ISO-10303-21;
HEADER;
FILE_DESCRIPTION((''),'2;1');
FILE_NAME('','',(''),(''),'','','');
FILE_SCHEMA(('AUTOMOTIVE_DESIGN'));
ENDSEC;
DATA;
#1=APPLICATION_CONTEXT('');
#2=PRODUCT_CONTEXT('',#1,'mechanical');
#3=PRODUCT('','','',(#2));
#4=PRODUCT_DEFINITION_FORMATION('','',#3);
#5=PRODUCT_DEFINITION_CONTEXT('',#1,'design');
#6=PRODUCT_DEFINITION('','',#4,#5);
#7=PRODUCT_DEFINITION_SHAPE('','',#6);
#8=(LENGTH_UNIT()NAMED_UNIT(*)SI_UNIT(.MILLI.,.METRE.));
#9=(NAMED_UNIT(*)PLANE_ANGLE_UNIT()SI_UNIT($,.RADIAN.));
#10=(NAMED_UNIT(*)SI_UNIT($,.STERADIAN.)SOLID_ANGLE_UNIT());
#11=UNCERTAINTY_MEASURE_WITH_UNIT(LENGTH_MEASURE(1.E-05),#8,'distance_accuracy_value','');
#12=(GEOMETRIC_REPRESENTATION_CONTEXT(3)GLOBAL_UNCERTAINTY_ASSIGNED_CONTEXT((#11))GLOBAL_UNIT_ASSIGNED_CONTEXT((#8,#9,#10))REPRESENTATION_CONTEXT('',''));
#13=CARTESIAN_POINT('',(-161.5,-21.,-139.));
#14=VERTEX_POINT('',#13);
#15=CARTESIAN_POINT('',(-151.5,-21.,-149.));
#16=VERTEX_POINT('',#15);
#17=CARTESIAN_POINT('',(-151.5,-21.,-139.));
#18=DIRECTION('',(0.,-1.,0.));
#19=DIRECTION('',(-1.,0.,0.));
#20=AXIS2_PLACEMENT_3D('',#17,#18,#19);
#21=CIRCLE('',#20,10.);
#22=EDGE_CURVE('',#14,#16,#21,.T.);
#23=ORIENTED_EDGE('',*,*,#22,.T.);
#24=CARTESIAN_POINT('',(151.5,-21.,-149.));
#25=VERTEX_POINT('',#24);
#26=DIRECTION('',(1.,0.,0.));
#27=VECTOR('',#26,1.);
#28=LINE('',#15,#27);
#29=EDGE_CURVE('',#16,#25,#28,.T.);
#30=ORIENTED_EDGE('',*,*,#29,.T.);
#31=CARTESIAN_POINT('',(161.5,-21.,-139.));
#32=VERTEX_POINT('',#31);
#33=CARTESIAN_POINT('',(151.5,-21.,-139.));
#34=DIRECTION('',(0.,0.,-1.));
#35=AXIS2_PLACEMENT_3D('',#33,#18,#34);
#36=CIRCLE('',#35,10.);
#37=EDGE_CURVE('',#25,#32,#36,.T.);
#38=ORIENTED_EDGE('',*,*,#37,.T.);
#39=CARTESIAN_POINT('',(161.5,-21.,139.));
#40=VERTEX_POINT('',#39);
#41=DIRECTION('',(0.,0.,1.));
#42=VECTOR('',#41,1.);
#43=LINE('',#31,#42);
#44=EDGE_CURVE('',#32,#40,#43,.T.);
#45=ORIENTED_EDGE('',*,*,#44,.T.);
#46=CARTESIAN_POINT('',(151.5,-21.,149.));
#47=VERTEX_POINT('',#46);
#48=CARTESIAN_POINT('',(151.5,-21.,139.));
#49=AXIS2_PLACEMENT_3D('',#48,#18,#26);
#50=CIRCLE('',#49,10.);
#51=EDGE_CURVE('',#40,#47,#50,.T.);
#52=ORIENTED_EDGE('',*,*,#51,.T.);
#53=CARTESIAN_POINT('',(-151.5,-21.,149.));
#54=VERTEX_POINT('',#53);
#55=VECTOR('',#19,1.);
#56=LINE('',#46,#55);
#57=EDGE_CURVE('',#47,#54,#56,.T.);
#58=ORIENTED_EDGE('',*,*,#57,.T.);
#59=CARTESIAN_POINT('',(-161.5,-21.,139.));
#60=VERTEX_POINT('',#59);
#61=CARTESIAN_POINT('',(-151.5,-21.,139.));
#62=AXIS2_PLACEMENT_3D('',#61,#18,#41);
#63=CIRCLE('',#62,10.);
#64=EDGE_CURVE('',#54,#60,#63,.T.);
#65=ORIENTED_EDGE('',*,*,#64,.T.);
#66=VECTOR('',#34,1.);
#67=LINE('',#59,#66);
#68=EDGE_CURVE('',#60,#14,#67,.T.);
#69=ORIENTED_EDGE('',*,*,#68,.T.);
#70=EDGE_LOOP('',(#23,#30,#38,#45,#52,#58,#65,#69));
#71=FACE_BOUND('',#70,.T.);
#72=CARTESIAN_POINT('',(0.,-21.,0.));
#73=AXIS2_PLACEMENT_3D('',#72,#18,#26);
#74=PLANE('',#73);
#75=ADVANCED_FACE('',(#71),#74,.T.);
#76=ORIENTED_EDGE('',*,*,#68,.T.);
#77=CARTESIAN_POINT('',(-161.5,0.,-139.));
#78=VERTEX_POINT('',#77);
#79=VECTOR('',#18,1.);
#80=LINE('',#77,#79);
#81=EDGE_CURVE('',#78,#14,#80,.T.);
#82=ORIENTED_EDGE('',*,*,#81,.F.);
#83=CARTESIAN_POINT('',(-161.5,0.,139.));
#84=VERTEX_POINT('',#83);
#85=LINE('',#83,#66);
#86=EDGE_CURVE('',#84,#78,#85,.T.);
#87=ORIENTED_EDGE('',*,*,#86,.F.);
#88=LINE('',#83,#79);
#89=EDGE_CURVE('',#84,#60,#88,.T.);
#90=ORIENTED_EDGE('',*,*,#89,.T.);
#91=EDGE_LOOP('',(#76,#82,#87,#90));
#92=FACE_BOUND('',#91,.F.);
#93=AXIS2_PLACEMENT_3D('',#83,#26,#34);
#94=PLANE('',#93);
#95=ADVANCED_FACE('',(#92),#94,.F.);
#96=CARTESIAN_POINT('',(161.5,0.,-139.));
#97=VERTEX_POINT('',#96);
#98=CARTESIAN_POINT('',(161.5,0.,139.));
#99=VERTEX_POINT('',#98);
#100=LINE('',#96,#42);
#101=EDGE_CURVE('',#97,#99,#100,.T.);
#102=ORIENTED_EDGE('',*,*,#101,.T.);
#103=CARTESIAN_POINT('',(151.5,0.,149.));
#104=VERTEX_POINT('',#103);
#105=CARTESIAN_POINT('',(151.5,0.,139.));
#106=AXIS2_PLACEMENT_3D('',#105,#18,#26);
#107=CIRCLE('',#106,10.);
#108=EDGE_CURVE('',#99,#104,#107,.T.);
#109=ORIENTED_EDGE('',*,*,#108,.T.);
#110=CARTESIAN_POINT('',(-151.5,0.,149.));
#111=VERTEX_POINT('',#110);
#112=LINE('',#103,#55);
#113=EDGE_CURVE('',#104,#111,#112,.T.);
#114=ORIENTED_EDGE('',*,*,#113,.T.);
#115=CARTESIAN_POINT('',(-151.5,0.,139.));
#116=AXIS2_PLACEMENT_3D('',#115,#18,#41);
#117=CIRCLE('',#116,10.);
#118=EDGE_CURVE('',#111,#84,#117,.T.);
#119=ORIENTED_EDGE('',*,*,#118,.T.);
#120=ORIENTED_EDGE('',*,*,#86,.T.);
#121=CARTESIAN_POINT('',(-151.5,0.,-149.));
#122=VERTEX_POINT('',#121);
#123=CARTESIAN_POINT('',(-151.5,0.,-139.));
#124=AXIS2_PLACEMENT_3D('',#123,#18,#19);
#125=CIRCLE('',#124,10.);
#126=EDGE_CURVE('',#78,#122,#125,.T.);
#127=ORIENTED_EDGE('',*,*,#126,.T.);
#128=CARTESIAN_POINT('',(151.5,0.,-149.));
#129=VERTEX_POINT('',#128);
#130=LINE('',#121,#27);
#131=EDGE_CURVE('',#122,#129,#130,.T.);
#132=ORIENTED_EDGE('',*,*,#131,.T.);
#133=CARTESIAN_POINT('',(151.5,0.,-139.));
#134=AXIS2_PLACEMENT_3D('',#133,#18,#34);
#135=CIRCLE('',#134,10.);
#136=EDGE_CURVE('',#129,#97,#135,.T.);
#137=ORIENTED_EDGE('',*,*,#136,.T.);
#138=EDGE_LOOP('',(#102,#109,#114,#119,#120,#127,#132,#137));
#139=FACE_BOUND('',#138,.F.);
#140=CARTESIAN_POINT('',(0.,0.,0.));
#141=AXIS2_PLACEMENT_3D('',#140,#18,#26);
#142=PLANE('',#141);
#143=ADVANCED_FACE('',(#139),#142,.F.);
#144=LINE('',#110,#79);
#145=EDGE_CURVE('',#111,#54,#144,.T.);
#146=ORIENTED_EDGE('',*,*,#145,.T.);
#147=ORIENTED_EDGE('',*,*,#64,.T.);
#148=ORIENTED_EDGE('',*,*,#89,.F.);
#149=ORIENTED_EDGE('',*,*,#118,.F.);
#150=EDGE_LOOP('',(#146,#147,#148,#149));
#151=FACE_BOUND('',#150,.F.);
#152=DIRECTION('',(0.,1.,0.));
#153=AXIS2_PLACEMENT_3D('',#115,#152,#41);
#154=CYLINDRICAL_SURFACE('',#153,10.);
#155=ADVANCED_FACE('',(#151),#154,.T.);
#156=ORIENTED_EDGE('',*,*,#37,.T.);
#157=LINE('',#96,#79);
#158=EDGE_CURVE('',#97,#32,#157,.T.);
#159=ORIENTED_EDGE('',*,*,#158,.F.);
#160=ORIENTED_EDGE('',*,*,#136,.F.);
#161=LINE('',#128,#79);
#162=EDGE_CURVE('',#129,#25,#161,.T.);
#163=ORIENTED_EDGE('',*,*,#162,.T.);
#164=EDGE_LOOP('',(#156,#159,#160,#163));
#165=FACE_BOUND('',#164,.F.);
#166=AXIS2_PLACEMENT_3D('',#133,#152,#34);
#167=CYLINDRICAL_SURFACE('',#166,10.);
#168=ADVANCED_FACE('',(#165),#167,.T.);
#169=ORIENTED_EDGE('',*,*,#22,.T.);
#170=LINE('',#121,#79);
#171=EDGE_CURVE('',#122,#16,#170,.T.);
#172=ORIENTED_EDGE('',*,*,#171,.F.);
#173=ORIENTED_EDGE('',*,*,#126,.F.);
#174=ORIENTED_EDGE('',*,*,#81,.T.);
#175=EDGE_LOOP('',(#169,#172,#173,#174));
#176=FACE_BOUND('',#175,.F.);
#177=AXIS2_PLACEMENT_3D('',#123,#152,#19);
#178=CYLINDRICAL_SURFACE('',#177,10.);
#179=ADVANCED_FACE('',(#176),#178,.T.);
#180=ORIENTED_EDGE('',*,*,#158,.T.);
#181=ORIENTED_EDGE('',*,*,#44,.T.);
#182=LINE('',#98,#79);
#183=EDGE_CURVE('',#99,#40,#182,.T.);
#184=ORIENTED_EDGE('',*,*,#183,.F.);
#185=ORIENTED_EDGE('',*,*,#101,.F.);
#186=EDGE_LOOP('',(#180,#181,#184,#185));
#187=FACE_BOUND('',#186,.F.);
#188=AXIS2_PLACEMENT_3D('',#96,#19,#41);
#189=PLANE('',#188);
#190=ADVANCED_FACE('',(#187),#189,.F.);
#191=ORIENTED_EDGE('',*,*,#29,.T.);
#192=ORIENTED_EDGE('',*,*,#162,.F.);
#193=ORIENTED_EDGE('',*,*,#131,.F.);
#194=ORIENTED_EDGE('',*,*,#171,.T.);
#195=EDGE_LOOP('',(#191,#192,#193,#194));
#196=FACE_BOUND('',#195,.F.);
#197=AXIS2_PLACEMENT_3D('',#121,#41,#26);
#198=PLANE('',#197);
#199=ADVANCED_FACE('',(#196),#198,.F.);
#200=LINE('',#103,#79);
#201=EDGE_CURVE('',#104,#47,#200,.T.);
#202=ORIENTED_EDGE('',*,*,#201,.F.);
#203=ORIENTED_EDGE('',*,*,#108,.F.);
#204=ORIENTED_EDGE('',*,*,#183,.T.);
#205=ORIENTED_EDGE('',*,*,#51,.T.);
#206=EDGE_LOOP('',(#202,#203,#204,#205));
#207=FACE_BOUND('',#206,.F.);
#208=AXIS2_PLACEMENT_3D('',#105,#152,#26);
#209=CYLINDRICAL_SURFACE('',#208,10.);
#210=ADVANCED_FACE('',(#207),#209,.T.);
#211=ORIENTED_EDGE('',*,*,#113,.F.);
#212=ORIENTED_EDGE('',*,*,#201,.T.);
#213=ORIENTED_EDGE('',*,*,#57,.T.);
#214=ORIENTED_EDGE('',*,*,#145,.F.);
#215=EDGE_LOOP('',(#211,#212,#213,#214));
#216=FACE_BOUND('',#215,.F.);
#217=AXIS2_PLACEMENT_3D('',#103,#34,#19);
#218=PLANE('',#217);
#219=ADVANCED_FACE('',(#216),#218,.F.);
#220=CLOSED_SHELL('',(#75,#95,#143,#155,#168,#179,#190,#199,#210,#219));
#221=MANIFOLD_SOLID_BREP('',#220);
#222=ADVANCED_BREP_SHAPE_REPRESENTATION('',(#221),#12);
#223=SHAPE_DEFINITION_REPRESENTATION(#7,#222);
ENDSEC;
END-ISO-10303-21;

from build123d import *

# Parameters (mm, degrees)
F0_W     = 38
F0_H     = 51
F1_DEPTH = 21


with BuildPart() as f1:
    # F0 (on Front) → F1 (new body)
    with BuildSketch(Plane.XZ):
        with BuildLine():
            Line((151.5, 149), (-151.5, 149))
            ThreePointArc((-151.5, 149), (-158.5710678119, 146.0710678119), (-161.5, 139))
            Line((-161.5, 139), (-161.5, -139))
            ThreePointArc((-161.5, -139), (-158.5710678119, -146.0710678119), (-151.5, -149))
            Line((-151.5, -149), (151.5, -149))
            ThreePointArc((151.5, -149), (158.5710678119, -146.0710678119), (161.5, -139))
            Line((161.5, -139), (161.5, 139))
            ThreePointArc((161.5, 139), (158.5710678119, 146.0710678119), (151.5, 149))
        make_face()
        with Locations((0, -113)):
            Rectangle(F0_W, F0_H, mode=Mode.SUBTRACT)
        with Locations((0, -113)):
            Rectangle(F0_W, F0_H)
    extrude(amount=F1_DEPTH)


solid = f1.part
